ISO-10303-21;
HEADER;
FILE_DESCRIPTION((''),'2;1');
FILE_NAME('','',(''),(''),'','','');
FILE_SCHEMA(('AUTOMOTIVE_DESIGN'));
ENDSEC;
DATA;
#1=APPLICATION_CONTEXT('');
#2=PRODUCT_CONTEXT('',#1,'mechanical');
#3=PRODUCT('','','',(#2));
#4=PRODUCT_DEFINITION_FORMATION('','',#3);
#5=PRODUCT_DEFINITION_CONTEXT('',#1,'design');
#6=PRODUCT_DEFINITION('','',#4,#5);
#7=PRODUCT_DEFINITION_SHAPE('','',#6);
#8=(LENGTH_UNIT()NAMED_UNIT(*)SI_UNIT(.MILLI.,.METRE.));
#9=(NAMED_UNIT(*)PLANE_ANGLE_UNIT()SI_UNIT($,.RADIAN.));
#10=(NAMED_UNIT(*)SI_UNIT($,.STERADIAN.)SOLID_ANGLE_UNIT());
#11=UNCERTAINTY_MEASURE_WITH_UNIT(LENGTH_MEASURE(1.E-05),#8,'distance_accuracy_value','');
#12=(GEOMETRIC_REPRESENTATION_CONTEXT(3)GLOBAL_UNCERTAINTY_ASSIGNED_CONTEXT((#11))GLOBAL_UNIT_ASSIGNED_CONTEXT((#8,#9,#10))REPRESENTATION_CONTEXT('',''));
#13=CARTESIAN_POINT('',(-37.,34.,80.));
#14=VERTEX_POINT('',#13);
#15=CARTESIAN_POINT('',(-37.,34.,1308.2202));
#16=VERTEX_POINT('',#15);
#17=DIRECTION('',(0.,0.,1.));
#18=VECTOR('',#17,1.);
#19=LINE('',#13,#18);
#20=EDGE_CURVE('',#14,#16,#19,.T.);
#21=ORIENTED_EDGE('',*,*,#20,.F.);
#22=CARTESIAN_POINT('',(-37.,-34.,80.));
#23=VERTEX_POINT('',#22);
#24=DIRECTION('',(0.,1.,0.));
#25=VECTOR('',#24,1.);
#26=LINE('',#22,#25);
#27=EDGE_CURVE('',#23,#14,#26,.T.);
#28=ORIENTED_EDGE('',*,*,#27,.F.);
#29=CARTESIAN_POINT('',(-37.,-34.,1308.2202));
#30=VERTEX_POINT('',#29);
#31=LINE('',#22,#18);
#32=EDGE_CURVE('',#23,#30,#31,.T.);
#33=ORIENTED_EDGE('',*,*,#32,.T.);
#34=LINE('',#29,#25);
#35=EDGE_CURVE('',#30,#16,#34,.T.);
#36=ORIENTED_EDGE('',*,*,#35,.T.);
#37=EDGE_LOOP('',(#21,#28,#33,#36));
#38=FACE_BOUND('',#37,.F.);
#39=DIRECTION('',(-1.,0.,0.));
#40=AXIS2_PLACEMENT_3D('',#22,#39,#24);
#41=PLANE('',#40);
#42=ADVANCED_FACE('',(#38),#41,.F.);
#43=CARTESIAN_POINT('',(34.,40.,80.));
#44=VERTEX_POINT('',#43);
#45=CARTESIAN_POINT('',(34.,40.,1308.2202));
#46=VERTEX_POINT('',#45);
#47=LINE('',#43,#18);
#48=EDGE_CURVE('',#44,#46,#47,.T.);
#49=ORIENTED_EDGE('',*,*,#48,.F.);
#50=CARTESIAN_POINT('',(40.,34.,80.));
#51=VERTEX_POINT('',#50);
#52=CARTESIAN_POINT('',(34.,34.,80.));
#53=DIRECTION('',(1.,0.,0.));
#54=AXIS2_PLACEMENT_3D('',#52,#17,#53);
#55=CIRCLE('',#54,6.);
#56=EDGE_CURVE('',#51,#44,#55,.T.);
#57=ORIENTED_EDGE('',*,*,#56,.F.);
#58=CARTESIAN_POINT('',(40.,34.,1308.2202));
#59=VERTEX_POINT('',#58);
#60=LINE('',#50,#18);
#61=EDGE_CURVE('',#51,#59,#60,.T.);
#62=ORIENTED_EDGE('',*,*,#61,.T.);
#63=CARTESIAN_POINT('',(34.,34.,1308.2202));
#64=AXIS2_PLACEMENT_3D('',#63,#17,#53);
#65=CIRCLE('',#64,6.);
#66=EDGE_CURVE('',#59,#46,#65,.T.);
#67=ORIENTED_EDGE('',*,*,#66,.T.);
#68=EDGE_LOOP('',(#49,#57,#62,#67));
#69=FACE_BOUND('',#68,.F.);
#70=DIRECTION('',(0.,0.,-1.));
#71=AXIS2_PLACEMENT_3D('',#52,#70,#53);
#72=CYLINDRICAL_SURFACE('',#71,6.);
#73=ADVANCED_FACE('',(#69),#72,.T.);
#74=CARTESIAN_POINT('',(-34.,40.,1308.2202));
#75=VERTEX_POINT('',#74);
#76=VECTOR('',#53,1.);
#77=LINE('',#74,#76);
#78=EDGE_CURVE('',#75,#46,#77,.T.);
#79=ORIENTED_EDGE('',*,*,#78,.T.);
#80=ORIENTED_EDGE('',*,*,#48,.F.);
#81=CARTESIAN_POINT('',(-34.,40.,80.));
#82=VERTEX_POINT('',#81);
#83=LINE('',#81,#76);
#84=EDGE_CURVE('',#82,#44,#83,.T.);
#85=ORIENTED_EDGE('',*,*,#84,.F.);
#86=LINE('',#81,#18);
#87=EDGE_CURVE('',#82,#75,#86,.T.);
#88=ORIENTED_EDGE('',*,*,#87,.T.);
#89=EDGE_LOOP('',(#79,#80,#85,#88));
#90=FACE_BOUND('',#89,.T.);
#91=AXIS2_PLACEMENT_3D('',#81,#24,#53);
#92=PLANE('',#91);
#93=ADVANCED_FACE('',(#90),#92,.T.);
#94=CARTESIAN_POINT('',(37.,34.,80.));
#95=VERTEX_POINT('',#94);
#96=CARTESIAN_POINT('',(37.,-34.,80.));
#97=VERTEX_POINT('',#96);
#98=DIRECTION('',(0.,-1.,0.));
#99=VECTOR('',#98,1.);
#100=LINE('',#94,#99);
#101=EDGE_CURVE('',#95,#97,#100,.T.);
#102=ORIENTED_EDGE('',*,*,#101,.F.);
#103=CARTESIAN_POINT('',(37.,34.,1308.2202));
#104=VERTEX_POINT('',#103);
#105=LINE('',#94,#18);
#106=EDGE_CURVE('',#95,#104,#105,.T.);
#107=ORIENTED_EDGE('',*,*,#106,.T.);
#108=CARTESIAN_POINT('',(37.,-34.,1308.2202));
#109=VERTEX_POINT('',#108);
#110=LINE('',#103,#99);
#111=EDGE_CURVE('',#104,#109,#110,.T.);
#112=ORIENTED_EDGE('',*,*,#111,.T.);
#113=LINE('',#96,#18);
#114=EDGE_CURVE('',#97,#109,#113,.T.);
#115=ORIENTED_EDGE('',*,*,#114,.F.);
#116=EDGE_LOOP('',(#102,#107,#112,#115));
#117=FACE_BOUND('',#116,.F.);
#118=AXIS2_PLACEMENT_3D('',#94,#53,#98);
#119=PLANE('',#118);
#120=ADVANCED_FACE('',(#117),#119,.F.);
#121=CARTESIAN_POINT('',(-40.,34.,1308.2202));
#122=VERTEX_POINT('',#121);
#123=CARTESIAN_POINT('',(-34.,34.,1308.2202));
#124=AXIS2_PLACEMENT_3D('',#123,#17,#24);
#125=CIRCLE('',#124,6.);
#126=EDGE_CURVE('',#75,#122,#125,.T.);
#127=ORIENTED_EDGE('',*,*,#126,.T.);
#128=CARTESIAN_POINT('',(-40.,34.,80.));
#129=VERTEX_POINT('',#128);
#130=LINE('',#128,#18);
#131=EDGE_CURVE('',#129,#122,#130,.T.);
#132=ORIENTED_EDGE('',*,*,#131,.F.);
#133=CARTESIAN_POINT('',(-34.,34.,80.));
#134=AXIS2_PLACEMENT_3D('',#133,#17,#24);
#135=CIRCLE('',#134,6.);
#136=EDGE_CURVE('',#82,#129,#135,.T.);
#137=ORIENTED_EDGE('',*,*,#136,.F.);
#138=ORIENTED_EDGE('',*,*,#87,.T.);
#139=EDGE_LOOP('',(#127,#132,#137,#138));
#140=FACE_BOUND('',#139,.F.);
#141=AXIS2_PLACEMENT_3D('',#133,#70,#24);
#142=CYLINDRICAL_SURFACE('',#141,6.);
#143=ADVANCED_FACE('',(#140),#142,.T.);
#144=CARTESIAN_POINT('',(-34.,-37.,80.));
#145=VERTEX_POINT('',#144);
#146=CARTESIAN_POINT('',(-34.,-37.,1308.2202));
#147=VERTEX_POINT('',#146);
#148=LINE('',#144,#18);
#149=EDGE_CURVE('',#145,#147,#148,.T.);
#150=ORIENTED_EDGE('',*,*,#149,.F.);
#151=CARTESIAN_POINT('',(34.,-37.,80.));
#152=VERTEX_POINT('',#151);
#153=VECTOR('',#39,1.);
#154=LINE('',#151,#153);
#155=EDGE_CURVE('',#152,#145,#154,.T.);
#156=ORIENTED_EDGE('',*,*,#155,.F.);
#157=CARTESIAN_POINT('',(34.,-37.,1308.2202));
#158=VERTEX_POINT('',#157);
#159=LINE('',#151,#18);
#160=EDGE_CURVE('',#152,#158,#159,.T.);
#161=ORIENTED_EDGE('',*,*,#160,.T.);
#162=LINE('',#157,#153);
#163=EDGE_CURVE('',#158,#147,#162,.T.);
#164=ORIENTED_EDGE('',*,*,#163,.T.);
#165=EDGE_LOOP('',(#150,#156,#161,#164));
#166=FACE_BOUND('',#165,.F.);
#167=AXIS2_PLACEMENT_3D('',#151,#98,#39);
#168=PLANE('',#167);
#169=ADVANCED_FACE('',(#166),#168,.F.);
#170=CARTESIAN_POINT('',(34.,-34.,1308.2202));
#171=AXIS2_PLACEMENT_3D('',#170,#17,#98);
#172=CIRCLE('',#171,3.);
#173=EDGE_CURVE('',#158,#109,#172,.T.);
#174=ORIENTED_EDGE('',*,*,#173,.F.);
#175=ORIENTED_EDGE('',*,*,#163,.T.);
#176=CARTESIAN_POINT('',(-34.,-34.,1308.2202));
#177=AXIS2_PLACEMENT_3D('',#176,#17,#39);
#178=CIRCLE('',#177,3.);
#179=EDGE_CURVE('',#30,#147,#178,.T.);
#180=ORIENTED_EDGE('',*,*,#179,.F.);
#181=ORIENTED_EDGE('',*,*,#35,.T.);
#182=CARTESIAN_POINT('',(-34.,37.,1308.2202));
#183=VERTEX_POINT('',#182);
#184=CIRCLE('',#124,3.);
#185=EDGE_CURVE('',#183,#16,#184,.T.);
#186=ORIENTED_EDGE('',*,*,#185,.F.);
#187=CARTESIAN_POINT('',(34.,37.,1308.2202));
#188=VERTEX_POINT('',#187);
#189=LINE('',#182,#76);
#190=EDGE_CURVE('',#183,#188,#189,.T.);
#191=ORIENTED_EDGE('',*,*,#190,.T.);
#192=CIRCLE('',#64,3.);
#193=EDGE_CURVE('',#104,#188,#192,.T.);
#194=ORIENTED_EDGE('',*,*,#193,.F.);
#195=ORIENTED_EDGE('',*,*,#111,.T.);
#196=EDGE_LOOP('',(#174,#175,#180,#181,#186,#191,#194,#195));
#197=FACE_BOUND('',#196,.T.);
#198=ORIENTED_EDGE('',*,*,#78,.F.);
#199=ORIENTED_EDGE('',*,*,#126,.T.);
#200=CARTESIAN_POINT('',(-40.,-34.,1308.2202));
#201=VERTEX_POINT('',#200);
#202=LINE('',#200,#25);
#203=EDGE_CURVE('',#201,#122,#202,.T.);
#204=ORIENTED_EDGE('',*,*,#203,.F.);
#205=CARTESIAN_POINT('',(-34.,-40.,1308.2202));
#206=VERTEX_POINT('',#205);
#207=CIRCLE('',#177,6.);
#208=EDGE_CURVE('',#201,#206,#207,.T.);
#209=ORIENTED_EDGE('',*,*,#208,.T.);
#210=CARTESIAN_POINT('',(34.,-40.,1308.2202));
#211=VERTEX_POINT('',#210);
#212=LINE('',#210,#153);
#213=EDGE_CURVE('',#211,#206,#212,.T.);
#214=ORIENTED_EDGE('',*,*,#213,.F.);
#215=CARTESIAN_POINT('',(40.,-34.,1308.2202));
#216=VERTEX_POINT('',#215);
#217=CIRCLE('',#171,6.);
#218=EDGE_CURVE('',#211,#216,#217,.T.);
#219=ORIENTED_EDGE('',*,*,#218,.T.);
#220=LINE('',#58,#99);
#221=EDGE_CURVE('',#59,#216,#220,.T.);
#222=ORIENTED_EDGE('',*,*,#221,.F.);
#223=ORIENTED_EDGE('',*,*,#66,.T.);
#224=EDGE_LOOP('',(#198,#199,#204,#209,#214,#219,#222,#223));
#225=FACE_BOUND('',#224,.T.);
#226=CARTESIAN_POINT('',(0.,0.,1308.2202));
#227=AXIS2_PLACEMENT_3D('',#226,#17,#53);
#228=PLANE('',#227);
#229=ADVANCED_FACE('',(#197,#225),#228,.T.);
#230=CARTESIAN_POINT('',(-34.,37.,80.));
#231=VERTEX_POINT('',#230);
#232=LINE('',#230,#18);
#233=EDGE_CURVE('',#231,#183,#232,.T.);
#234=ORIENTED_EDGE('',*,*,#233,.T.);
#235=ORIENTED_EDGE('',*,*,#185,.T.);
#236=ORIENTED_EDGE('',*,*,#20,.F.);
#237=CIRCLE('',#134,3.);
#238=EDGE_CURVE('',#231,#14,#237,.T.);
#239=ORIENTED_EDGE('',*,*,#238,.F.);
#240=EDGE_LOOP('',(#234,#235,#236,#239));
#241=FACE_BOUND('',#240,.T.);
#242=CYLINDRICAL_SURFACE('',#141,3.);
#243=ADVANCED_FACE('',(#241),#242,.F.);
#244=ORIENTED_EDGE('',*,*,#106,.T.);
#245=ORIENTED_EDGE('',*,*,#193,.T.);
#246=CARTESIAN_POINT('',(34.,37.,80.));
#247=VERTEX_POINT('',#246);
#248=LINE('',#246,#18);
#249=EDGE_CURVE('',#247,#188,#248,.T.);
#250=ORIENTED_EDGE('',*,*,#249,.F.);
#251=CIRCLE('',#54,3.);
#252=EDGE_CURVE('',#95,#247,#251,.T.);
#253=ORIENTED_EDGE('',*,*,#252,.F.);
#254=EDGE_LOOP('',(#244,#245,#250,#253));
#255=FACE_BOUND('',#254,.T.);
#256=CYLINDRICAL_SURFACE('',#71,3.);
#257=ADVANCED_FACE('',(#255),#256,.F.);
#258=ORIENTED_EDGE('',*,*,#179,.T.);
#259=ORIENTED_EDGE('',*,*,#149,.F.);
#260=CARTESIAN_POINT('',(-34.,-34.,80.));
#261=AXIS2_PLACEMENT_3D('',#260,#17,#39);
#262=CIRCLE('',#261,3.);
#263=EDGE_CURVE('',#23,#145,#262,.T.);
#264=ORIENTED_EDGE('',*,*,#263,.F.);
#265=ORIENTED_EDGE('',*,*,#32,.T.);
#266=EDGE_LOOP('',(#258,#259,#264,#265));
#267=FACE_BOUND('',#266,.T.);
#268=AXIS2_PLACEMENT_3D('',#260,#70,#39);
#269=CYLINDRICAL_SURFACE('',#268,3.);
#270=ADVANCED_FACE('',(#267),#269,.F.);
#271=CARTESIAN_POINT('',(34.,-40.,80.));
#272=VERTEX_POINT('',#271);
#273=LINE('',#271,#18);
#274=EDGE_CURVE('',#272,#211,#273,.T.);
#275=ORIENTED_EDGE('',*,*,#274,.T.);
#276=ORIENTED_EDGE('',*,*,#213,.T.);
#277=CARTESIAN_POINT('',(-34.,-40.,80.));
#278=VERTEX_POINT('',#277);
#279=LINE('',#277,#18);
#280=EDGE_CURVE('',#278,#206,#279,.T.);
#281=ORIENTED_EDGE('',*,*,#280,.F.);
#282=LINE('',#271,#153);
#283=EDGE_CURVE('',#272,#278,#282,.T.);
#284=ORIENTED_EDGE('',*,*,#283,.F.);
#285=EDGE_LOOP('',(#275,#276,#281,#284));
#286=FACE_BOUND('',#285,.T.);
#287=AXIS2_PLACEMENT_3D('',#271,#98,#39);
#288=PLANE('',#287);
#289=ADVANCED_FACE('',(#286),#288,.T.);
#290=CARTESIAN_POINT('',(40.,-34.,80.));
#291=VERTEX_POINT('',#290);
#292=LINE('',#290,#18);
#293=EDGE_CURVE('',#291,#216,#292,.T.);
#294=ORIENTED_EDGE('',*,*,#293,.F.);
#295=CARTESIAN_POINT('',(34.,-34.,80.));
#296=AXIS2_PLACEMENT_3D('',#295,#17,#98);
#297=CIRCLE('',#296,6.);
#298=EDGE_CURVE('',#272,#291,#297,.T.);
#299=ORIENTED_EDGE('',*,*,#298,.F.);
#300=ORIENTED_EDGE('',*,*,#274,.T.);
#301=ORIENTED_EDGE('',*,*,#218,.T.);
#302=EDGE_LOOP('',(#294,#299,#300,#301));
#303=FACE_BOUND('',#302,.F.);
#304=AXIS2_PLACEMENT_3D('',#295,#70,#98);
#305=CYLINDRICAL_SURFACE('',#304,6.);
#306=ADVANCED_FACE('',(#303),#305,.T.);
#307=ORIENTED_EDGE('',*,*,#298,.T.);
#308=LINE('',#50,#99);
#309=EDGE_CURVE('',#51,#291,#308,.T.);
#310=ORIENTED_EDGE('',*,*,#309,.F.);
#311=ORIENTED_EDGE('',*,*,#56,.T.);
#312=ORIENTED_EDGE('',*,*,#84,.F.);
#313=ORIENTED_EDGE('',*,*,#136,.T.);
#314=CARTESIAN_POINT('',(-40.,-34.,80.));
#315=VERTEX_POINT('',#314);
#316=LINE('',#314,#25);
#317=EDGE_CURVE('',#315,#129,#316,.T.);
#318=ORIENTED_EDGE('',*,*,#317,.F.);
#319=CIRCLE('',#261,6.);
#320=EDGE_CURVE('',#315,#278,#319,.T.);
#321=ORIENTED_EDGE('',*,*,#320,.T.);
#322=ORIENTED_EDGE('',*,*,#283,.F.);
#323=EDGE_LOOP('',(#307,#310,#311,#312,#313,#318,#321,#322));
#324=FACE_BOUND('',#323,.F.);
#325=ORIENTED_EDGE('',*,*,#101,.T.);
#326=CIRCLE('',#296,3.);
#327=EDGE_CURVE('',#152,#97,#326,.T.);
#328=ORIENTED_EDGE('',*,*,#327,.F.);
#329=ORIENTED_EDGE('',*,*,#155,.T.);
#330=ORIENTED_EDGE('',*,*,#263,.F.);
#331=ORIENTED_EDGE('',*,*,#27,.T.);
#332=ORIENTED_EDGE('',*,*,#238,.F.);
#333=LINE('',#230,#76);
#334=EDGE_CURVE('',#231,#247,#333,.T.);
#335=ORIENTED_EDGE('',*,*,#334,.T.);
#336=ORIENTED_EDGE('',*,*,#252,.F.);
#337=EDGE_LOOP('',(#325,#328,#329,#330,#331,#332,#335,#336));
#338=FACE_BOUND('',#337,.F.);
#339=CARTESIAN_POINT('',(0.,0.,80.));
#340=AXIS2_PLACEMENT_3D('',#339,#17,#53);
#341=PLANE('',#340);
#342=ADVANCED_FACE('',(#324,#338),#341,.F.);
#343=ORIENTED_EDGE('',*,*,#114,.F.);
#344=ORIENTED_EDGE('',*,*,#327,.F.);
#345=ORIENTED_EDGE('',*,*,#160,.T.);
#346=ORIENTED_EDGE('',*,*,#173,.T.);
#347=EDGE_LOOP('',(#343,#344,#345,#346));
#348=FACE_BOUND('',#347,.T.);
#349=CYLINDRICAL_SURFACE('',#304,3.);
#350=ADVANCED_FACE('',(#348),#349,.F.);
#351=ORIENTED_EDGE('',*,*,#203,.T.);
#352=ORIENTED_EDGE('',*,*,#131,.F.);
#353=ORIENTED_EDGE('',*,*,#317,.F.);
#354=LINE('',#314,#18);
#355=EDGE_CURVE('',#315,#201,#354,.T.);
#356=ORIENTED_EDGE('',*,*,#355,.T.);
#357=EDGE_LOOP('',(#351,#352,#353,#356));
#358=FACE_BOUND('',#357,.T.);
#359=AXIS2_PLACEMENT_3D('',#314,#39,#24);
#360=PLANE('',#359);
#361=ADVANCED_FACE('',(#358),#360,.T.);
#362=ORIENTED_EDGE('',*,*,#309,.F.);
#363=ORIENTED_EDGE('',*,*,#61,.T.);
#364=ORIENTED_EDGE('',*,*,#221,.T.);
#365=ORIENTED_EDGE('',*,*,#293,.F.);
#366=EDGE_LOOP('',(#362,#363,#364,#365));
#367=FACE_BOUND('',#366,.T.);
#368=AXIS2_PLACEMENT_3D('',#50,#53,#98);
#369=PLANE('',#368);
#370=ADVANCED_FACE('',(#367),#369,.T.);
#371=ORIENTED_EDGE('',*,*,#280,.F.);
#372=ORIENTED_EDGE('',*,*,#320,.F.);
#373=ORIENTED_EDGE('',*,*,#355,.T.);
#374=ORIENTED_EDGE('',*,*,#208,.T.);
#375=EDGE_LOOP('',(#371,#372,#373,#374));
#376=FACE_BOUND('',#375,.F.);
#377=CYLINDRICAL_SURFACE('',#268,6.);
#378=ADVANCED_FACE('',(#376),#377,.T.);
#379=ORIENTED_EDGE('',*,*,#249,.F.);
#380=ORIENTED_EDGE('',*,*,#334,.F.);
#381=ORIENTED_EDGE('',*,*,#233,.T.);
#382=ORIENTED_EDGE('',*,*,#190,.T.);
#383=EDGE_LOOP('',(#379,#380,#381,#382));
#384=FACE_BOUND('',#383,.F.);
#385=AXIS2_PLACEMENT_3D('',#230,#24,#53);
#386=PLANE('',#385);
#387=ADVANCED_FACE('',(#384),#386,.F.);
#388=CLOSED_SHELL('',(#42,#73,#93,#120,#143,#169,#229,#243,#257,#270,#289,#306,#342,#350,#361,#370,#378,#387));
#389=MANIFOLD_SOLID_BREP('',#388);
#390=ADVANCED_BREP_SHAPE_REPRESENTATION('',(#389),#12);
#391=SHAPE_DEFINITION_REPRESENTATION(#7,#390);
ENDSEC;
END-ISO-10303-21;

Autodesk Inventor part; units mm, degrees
ref_plane "YZ Plane" through (0, 0, 0) normal (1, 0, 0) x (0, 1, 0)
ref_plane "Start Plane" through (0, 0, 80) normal (0, 0, 1) x (1, 0, 0)
ref_plane "End Plane" through (0, 0, 1308.2202) normal (0, 0, 1) x (1, 0, 0)
sketch "Sketch" plane through (0, 0, 0) normal (0, 0, 1) x (1, 0, 0)
  line L0 (-40, -34) -> (-40, 34)
  line L1 (-34, 40) -> (34, 40)
  line L2 (40, 34) -> (40, -34)
  line L3 (34, -40) -> (-34, -40)
  arc A0 (-40, -34) -> (-34, -40) centre (-34, -34) ccw
  arc A1 (40, 34) -> (34, 40) centre (34, 34) ccw
  arc A2 (-34, 40) -> (-40, 34) centre (-34, 34) ccw
  arc A3 (34, -40) -> (40, -34) centre (34, -34) ccw
  arc A4 (-34, 37) -> (-37, 34) centre (-34, 34) ccw
  line L4 (-34, 37) -> (34, 37)
  arc A5 (37, 34) -> (34, 37) centre (34, 34) ccw
  line L5 (37, 34) -> (37, -34)
  arc A6 (34, -37) -> (37, -34) centre (34, -34) ccw
  line L6 (34, -37) -> (-34, -37)
  arc A7 (-37, -34) -> (-34, -37) centre (-34, -34) ccw
  line L7 (-37, -34) -> (-37, 34)
  line L8 (0, 57.7397) -> (0, -57.7397) construction
  line L9 (-57.7397, 0) -> (57.7397, 0) construction
  dimension "d7" = 6
  dimension "d9" = 80
  dimension "d11" = 80
  dimension "d12" = 3
  dimension "d15" = 40
  dimension "d16" = 40
extrude "Body" add sketch "Sketch" along normal up to surface (1228.2202 mm away) from surface at 80
sketch "Sketch3" plane through (0, 0, 0) normal (0, 0, 1) x (1, 0, 0)
  line L0 (0, 0) -> (10, 0)
ref_plane "Work Plane3" through (0, 0, 0) normal (0, -1, 0) x (1, 0, 0)
sketch "Sketch4" plane through (0, 0, 0) normal (0, -1, 0) x (1, 0, 0)
  line L0 (-2, 80) -> (12, 80) projected
  line L1 (-2, 1308.2202) -> (12, 1308.2202) projected
  dimension "d18" = 1228.2202
equation "\"d7\" = G_IR"
equation "\"d9\" = G_W"
equation "\"d11\" = G_H"
equation "\"d12\" = G_T"
equation "\"d15\" = 0.5 * d9"
equation "\"d16\" = 0.5 * d11"
equation "\"d3\" = G_L"
equation "\"G_W\" = 80"
equation "\"G_H\" = 80"
equation "\"G_T\" = 3"
equation "\"G_IR\" = 6"
equation "\"G_L\" = d18"
equation "\"d14\" = G_OFFSET_END + B_L"
equation "\"B_L\" = 1348.22021"
equation "\"G_OFFSET_END\" = -40"
properties part number "ISO 10799-2 - 80x80x3 - 1228,22" material "Steel, Mild"
